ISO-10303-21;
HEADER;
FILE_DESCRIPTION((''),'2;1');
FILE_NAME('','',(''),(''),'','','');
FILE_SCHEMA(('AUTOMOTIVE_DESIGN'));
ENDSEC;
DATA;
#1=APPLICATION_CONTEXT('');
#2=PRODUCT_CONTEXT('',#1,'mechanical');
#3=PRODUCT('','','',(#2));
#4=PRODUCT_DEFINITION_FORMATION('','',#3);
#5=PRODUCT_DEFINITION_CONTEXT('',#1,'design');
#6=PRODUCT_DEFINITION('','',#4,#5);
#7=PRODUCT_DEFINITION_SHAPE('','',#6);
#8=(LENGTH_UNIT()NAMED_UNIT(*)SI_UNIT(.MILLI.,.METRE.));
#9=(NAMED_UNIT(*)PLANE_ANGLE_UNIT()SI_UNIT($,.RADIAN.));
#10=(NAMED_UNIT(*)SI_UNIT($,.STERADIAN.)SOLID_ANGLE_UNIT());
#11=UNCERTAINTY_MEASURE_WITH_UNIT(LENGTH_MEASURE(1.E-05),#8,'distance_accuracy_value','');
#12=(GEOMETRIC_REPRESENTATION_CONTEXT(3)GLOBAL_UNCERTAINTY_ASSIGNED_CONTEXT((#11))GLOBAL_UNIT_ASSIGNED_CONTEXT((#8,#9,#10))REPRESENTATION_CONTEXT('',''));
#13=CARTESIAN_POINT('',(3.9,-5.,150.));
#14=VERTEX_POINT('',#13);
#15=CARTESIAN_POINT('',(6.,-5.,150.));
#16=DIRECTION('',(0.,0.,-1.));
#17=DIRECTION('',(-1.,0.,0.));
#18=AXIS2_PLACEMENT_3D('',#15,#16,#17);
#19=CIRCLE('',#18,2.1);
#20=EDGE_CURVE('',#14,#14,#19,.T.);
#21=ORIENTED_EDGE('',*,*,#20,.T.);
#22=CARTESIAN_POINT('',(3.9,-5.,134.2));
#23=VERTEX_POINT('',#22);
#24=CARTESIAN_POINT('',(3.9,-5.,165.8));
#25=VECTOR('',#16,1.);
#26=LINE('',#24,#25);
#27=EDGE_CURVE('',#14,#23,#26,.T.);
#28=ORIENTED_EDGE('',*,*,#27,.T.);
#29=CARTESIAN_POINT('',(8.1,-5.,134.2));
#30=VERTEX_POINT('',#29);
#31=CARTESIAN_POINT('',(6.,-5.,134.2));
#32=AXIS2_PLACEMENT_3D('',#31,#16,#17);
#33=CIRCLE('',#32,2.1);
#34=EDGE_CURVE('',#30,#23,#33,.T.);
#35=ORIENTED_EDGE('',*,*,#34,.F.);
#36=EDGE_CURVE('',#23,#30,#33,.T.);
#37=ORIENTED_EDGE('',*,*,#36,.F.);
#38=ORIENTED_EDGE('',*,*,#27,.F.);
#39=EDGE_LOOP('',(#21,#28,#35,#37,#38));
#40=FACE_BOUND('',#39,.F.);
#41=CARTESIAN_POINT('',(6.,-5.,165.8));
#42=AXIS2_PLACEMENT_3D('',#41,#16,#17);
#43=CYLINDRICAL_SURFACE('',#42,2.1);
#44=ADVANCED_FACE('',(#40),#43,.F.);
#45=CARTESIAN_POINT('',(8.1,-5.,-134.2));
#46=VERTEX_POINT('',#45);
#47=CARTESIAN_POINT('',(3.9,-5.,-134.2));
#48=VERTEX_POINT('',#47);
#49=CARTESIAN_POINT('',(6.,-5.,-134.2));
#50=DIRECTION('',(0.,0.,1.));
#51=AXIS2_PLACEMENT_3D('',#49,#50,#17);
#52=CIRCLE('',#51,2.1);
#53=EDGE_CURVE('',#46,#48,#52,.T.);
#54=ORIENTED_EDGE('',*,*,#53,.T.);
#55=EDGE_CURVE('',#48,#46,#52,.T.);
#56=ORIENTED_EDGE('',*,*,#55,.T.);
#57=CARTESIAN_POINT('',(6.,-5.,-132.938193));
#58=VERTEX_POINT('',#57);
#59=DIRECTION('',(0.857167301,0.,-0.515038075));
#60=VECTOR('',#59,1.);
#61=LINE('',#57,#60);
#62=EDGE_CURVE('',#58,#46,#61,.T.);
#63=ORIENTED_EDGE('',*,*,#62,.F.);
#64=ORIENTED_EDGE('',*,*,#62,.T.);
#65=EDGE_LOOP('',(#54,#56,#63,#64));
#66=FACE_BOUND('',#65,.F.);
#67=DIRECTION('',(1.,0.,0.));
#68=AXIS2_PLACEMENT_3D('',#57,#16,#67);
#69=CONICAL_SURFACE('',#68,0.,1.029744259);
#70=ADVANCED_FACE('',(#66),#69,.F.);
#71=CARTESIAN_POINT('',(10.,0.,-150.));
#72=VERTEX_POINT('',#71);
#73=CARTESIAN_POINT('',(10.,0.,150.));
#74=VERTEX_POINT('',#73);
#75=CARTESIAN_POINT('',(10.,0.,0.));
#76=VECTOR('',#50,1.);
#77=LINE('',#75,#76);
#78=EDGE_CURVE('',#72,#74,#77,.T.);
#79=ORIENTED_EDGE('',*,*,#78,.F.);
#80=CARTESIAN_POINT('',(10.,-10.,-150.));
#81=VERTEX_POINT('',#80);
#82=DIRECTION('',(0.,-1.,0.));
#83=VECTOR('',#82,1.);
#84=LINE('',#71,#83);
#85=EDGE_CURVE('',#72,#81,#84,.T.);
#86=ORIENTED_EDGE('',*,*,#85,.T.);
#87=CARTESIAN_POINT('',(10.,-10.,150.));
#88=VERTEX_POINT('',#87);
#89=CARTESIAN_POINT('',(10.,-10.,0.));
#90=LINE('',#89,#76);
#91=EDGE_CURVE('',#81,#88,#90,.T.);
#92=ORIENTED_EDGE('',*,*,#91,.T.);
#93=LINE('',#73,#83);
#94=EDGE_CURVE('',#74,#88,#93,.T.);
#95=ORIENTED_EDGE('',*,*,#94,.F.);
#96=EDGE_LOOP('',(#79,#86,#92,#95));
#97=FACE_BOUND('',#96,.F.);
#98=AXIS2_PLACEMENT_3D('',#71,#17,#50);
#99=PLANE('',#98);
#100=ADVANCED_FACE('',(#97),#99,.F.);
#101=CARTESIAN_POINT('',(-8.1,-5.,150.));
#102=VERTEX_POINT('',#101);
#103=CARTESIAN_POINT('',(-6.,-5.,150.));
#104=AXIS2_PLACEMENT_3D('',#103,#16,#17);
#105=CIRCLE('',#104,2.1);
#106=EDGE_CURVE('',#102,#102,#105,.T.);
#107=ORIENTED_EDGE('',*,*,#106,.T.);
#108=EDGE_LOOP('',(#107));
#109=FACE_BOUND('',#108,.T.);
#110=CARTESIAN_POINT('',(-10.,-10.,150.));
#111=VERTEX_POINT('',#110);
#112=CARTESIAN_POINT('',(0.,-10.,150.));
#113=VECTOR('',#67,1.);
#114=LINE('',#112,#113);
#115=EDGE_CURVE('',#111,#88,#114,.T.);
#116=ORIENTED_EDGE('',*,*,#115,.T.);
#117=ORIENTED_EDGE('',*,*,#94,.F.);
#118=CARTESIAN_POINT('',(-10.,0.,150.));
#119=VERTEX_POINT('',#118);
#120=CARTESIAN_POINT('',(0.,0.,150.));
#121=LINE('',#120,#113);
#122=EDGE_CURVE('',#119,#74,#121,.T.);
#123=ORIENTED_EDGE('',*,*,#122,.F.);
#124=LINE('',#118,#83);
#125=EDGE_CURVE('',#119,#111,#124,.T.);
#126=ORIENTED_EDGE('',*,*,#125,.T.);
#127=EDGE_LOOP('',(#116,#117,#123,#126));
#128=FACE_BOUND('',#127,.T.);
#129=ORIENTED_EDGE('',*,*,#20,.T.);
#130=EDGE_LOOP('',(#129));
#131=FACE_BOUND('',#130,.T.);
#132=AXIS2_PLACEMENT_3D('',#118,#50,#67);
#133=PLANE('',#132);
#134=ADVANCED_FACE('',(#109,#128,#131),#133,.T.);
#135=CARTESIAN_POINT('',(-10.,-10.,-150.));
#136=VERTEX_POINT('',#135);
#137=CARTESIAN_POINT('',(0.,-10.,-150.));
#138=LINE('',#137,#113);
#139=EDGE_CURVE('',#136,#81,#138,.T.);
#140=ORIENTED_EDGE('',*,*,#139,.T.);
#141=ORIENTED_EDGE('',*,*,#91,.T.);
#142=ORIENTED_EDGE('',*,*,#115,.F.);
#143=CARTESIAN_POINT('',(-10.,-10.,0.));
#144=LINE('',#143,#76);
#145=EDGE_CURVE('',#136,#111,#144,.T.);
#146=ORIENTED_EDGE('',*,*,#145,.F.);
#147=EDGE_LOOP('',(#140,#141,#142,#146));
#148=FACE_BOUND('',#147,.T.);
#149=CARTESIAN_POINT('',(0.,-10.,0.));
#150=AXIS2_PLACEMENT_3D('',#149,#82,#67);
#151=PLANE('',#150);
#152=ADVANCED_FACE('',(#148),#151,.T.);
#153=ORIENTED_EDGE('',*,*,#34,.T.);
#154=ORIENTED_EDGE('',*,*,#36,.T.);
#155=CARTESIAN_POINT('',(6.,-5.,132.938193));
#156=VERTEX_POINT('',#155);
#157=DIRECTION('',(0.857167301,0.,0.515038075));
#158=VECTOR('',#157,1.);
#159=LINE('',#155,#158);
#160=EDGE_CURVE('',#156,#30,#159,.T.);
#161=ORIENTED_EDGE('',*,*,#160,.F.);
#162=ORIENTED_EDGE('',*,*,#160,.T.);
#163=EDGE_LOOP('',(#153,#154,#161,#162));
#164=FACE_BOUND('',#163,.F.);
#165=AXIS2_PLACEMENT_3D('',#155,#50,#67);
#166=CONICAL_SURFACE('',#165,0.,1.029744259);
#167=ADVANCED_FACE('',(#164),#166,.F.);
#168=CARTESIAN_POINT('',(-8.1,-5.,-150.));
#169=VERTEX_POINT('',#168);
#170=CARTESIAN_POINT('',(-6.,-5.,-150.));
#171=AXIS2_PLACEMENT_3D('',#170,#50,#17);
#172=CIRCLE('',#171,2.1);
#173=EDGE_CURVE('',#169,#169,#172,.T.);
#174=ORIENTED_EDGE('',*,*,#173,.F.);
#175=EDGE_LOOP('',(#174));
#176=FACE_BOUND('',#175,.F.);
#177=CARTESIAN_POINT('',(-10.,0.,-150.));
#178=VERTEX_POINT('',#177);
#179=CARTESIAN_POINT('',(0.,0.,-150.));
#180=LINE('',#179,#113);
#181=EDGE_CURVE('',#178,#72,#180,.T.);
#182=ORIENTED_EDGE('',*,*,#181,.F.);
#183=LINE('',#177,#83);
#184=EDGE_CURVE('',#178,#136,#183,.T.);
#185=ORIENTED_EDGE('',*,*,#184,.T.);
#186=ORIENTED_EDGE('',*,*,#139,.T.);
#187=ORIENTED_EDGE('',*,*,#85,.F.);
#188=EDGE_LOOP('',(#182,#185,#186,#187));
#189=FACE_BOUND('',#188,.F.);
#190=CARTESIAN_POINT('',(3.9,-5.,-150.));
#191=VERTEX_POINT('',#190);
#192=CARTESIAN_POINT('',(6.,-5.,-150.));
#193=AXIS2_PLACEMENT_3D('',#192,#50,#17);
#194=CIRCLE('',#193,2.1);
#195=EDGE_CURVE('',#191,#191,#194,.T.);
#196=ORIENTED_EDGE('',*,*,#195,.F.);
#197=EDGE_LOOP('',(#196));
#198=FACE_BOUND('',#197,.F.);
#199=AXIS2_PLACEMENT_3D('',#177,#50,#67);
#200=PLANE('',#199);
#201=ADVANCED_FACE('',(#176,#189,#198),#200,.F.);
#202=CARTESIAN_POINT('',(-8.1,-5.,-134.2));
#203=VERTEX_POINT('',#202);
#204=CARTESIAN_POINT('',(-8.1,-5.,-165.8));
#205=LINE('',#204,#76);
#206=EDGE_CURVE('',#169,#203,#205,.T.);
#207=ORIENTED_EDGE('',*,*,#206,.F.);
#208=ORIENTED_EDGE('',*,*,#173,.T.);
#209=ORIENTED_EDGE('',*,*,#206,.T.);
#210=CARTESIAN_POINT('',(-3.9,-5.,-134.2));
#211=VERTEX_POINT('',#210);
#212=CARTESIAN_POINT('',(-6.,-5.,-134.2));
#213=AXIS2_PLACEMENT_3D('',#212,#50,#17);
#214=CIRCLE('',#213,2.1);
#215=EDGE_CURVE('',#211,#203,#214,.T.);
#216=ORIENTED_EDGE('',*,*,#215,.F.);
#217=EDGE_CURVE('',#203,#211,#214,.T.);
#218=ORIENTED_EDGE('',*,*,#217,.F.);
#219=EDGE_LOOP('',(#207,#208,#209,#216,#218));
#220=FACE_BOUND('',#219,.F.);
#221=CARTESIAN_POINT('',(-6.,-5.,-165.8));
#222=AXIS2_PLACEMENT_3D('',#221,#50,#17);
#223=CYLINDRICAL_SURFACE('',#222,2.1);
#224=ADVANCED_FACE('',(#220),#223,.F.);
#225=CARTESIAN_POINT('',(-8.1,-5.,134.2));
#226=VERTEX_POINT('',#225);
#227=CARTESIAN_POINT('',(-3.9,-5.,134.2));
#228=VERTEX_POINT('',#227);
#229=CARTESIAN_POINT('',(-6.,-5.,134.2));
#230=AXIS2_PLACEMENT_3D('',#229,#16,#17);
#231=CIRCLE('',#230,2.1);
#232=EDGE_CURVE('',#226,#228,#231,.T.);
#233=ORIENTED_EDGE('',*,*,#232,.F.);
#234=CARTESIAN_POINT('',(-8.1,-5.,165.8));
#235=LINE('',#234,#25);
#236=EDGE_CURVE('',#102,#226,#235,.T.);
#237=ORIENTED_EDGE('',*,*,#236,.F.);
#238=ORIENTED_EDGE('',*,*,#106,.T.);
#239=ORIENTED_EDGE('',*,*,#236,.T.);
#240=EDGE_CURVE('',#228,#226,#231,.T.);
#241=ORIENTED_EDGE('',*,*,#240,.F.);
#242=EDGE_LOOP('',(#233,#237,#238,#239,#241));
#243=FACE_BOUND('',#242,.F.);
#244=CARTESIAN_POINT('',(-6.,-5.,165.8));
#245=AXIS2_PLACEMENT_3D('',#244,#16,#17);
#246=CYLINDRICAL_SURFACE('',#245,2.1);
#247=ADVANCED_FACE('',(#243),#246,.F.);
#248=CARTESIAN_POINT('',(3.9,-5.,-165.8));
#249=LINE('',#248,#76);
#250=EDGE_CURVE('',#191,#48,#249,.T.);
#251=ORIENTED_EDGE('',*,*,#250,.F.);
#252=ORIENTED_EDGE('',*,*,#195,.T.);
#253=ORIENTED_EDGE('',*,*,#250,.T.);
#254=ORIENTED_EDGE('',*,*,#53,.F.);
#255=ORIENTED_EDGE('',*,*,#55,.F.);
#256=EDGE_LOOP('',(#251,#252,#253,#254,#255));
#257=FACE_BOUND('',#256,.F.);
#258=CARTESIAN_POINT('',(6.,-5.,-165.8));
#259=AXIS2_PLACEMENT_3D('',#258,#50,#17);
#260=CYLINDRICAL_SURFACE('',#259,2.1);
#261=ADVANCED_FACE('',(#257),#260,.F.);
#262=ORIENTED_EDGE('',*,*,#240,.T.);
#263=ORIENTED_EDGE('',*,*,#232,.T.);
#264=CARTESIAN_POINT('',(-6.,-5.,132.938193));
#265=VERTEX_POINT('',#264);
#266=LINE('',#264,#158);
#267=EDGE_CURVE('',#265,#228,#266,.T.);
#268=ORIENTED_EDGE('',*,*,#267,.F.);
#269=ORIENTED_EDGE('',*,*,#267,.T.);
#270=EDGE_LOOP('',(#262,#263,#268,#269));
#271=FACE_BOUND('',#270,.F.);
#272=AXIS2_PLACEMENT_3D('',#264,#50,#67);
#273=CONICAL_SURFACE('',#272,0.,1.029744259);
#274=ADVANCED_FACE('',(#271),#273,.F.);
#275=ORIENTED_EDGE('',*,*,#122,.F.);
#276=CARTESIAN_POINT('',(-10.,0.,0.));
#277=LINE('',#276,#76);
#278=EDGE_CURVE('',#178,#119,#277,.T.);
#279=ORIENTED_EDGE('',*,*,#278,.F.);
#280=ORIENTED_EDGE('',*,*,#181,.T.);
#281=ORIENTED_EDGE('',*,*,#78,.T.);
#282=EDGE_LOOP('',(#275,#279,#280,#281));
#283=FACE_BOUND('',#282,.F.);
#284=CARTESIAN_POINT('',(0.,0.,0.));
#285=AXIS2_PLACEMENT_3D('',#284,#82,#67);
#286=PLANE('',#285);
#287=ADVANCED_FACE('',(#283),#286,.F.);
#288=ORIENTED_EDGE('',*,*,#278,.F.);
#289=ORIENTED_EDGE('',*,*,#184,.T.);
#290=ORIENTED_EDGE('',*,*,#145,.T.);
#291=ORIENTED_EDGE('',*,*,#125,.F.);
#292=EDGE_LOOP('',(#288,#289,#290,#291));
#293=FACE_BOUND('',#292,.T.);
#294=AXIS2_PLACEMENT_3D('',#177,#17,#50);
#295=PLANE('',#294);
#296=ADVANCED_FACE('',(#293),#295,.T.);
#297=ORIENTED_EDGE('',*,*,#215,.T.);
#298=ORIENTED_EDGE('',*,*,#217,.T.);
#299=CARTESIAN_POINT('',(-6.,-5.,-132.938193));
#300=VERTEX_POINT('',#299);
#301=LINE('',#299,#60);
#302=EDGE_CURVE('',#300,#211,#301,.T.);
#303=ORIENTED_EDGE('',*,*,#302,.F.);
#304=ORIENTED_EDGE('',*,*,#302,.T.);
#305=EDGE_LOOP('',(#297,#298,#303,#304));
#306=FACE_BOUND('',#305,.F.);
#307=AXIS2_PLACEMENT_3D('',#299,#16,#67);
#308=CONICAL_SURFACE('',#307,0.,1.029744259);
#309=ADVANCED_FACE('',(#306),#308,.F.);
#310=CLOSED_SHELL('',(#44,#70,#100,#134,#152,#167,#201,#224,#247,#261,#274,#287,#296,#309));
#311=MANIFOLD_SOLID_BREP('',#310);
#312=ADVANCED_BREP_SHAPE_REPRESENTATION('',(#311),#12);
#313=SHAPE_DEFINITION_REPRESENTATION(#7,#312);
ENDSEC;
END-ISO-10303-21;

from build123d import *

# Parameters (mm, degrees)
F0_W     = 20
F0_H     = 300
F1_DEPTH = 10
F3_D     = 4.2
F3_DEPTH = 15.8
F3_TIP   = 1.2618073
F5_D     = 4.2
F5_DEPTH = 15.8
F5_TIP   = 1.2618073


with BuildPart() as f1:
    # F0 (on Front) → F1 (new body)
    with BuildSketch(Plane.XZ):
        Rectangle(F0_W, F0_H)
    extrude(amount=F1_DEPTH)

    # F3
    with Locations(Plane(origin=(0, 0, -150), x_dir=(1, 0, 0), z_dir=(0, 0, -1))):
        with Locations((-6, 5), (6, 5)):
            Hole(F3_D / 2, depth=F3_DEPTH)
            with Locations((0, 0, -(F3_DEPTH + F3_TIP / 2))):  # 118° drill point
                Cone(0, F3_D / 2, F3_TIP, mode=Mode.SUBTRACT)

    # F5
    with Locations(Plane.XY.offset(150)):
        with Locations((6, -5), (-6, -5)):
            Hole(F5_D / 2, depth=F5_DEPTH)
            with Locations((0, 0, -(F5_DEPTH + F5_TIP / 2))):  # 118° drill point
                Cone(0, F5_D / 2, F5_TIP, mode=Mode.SUBTRACT)


solid = f1.part
